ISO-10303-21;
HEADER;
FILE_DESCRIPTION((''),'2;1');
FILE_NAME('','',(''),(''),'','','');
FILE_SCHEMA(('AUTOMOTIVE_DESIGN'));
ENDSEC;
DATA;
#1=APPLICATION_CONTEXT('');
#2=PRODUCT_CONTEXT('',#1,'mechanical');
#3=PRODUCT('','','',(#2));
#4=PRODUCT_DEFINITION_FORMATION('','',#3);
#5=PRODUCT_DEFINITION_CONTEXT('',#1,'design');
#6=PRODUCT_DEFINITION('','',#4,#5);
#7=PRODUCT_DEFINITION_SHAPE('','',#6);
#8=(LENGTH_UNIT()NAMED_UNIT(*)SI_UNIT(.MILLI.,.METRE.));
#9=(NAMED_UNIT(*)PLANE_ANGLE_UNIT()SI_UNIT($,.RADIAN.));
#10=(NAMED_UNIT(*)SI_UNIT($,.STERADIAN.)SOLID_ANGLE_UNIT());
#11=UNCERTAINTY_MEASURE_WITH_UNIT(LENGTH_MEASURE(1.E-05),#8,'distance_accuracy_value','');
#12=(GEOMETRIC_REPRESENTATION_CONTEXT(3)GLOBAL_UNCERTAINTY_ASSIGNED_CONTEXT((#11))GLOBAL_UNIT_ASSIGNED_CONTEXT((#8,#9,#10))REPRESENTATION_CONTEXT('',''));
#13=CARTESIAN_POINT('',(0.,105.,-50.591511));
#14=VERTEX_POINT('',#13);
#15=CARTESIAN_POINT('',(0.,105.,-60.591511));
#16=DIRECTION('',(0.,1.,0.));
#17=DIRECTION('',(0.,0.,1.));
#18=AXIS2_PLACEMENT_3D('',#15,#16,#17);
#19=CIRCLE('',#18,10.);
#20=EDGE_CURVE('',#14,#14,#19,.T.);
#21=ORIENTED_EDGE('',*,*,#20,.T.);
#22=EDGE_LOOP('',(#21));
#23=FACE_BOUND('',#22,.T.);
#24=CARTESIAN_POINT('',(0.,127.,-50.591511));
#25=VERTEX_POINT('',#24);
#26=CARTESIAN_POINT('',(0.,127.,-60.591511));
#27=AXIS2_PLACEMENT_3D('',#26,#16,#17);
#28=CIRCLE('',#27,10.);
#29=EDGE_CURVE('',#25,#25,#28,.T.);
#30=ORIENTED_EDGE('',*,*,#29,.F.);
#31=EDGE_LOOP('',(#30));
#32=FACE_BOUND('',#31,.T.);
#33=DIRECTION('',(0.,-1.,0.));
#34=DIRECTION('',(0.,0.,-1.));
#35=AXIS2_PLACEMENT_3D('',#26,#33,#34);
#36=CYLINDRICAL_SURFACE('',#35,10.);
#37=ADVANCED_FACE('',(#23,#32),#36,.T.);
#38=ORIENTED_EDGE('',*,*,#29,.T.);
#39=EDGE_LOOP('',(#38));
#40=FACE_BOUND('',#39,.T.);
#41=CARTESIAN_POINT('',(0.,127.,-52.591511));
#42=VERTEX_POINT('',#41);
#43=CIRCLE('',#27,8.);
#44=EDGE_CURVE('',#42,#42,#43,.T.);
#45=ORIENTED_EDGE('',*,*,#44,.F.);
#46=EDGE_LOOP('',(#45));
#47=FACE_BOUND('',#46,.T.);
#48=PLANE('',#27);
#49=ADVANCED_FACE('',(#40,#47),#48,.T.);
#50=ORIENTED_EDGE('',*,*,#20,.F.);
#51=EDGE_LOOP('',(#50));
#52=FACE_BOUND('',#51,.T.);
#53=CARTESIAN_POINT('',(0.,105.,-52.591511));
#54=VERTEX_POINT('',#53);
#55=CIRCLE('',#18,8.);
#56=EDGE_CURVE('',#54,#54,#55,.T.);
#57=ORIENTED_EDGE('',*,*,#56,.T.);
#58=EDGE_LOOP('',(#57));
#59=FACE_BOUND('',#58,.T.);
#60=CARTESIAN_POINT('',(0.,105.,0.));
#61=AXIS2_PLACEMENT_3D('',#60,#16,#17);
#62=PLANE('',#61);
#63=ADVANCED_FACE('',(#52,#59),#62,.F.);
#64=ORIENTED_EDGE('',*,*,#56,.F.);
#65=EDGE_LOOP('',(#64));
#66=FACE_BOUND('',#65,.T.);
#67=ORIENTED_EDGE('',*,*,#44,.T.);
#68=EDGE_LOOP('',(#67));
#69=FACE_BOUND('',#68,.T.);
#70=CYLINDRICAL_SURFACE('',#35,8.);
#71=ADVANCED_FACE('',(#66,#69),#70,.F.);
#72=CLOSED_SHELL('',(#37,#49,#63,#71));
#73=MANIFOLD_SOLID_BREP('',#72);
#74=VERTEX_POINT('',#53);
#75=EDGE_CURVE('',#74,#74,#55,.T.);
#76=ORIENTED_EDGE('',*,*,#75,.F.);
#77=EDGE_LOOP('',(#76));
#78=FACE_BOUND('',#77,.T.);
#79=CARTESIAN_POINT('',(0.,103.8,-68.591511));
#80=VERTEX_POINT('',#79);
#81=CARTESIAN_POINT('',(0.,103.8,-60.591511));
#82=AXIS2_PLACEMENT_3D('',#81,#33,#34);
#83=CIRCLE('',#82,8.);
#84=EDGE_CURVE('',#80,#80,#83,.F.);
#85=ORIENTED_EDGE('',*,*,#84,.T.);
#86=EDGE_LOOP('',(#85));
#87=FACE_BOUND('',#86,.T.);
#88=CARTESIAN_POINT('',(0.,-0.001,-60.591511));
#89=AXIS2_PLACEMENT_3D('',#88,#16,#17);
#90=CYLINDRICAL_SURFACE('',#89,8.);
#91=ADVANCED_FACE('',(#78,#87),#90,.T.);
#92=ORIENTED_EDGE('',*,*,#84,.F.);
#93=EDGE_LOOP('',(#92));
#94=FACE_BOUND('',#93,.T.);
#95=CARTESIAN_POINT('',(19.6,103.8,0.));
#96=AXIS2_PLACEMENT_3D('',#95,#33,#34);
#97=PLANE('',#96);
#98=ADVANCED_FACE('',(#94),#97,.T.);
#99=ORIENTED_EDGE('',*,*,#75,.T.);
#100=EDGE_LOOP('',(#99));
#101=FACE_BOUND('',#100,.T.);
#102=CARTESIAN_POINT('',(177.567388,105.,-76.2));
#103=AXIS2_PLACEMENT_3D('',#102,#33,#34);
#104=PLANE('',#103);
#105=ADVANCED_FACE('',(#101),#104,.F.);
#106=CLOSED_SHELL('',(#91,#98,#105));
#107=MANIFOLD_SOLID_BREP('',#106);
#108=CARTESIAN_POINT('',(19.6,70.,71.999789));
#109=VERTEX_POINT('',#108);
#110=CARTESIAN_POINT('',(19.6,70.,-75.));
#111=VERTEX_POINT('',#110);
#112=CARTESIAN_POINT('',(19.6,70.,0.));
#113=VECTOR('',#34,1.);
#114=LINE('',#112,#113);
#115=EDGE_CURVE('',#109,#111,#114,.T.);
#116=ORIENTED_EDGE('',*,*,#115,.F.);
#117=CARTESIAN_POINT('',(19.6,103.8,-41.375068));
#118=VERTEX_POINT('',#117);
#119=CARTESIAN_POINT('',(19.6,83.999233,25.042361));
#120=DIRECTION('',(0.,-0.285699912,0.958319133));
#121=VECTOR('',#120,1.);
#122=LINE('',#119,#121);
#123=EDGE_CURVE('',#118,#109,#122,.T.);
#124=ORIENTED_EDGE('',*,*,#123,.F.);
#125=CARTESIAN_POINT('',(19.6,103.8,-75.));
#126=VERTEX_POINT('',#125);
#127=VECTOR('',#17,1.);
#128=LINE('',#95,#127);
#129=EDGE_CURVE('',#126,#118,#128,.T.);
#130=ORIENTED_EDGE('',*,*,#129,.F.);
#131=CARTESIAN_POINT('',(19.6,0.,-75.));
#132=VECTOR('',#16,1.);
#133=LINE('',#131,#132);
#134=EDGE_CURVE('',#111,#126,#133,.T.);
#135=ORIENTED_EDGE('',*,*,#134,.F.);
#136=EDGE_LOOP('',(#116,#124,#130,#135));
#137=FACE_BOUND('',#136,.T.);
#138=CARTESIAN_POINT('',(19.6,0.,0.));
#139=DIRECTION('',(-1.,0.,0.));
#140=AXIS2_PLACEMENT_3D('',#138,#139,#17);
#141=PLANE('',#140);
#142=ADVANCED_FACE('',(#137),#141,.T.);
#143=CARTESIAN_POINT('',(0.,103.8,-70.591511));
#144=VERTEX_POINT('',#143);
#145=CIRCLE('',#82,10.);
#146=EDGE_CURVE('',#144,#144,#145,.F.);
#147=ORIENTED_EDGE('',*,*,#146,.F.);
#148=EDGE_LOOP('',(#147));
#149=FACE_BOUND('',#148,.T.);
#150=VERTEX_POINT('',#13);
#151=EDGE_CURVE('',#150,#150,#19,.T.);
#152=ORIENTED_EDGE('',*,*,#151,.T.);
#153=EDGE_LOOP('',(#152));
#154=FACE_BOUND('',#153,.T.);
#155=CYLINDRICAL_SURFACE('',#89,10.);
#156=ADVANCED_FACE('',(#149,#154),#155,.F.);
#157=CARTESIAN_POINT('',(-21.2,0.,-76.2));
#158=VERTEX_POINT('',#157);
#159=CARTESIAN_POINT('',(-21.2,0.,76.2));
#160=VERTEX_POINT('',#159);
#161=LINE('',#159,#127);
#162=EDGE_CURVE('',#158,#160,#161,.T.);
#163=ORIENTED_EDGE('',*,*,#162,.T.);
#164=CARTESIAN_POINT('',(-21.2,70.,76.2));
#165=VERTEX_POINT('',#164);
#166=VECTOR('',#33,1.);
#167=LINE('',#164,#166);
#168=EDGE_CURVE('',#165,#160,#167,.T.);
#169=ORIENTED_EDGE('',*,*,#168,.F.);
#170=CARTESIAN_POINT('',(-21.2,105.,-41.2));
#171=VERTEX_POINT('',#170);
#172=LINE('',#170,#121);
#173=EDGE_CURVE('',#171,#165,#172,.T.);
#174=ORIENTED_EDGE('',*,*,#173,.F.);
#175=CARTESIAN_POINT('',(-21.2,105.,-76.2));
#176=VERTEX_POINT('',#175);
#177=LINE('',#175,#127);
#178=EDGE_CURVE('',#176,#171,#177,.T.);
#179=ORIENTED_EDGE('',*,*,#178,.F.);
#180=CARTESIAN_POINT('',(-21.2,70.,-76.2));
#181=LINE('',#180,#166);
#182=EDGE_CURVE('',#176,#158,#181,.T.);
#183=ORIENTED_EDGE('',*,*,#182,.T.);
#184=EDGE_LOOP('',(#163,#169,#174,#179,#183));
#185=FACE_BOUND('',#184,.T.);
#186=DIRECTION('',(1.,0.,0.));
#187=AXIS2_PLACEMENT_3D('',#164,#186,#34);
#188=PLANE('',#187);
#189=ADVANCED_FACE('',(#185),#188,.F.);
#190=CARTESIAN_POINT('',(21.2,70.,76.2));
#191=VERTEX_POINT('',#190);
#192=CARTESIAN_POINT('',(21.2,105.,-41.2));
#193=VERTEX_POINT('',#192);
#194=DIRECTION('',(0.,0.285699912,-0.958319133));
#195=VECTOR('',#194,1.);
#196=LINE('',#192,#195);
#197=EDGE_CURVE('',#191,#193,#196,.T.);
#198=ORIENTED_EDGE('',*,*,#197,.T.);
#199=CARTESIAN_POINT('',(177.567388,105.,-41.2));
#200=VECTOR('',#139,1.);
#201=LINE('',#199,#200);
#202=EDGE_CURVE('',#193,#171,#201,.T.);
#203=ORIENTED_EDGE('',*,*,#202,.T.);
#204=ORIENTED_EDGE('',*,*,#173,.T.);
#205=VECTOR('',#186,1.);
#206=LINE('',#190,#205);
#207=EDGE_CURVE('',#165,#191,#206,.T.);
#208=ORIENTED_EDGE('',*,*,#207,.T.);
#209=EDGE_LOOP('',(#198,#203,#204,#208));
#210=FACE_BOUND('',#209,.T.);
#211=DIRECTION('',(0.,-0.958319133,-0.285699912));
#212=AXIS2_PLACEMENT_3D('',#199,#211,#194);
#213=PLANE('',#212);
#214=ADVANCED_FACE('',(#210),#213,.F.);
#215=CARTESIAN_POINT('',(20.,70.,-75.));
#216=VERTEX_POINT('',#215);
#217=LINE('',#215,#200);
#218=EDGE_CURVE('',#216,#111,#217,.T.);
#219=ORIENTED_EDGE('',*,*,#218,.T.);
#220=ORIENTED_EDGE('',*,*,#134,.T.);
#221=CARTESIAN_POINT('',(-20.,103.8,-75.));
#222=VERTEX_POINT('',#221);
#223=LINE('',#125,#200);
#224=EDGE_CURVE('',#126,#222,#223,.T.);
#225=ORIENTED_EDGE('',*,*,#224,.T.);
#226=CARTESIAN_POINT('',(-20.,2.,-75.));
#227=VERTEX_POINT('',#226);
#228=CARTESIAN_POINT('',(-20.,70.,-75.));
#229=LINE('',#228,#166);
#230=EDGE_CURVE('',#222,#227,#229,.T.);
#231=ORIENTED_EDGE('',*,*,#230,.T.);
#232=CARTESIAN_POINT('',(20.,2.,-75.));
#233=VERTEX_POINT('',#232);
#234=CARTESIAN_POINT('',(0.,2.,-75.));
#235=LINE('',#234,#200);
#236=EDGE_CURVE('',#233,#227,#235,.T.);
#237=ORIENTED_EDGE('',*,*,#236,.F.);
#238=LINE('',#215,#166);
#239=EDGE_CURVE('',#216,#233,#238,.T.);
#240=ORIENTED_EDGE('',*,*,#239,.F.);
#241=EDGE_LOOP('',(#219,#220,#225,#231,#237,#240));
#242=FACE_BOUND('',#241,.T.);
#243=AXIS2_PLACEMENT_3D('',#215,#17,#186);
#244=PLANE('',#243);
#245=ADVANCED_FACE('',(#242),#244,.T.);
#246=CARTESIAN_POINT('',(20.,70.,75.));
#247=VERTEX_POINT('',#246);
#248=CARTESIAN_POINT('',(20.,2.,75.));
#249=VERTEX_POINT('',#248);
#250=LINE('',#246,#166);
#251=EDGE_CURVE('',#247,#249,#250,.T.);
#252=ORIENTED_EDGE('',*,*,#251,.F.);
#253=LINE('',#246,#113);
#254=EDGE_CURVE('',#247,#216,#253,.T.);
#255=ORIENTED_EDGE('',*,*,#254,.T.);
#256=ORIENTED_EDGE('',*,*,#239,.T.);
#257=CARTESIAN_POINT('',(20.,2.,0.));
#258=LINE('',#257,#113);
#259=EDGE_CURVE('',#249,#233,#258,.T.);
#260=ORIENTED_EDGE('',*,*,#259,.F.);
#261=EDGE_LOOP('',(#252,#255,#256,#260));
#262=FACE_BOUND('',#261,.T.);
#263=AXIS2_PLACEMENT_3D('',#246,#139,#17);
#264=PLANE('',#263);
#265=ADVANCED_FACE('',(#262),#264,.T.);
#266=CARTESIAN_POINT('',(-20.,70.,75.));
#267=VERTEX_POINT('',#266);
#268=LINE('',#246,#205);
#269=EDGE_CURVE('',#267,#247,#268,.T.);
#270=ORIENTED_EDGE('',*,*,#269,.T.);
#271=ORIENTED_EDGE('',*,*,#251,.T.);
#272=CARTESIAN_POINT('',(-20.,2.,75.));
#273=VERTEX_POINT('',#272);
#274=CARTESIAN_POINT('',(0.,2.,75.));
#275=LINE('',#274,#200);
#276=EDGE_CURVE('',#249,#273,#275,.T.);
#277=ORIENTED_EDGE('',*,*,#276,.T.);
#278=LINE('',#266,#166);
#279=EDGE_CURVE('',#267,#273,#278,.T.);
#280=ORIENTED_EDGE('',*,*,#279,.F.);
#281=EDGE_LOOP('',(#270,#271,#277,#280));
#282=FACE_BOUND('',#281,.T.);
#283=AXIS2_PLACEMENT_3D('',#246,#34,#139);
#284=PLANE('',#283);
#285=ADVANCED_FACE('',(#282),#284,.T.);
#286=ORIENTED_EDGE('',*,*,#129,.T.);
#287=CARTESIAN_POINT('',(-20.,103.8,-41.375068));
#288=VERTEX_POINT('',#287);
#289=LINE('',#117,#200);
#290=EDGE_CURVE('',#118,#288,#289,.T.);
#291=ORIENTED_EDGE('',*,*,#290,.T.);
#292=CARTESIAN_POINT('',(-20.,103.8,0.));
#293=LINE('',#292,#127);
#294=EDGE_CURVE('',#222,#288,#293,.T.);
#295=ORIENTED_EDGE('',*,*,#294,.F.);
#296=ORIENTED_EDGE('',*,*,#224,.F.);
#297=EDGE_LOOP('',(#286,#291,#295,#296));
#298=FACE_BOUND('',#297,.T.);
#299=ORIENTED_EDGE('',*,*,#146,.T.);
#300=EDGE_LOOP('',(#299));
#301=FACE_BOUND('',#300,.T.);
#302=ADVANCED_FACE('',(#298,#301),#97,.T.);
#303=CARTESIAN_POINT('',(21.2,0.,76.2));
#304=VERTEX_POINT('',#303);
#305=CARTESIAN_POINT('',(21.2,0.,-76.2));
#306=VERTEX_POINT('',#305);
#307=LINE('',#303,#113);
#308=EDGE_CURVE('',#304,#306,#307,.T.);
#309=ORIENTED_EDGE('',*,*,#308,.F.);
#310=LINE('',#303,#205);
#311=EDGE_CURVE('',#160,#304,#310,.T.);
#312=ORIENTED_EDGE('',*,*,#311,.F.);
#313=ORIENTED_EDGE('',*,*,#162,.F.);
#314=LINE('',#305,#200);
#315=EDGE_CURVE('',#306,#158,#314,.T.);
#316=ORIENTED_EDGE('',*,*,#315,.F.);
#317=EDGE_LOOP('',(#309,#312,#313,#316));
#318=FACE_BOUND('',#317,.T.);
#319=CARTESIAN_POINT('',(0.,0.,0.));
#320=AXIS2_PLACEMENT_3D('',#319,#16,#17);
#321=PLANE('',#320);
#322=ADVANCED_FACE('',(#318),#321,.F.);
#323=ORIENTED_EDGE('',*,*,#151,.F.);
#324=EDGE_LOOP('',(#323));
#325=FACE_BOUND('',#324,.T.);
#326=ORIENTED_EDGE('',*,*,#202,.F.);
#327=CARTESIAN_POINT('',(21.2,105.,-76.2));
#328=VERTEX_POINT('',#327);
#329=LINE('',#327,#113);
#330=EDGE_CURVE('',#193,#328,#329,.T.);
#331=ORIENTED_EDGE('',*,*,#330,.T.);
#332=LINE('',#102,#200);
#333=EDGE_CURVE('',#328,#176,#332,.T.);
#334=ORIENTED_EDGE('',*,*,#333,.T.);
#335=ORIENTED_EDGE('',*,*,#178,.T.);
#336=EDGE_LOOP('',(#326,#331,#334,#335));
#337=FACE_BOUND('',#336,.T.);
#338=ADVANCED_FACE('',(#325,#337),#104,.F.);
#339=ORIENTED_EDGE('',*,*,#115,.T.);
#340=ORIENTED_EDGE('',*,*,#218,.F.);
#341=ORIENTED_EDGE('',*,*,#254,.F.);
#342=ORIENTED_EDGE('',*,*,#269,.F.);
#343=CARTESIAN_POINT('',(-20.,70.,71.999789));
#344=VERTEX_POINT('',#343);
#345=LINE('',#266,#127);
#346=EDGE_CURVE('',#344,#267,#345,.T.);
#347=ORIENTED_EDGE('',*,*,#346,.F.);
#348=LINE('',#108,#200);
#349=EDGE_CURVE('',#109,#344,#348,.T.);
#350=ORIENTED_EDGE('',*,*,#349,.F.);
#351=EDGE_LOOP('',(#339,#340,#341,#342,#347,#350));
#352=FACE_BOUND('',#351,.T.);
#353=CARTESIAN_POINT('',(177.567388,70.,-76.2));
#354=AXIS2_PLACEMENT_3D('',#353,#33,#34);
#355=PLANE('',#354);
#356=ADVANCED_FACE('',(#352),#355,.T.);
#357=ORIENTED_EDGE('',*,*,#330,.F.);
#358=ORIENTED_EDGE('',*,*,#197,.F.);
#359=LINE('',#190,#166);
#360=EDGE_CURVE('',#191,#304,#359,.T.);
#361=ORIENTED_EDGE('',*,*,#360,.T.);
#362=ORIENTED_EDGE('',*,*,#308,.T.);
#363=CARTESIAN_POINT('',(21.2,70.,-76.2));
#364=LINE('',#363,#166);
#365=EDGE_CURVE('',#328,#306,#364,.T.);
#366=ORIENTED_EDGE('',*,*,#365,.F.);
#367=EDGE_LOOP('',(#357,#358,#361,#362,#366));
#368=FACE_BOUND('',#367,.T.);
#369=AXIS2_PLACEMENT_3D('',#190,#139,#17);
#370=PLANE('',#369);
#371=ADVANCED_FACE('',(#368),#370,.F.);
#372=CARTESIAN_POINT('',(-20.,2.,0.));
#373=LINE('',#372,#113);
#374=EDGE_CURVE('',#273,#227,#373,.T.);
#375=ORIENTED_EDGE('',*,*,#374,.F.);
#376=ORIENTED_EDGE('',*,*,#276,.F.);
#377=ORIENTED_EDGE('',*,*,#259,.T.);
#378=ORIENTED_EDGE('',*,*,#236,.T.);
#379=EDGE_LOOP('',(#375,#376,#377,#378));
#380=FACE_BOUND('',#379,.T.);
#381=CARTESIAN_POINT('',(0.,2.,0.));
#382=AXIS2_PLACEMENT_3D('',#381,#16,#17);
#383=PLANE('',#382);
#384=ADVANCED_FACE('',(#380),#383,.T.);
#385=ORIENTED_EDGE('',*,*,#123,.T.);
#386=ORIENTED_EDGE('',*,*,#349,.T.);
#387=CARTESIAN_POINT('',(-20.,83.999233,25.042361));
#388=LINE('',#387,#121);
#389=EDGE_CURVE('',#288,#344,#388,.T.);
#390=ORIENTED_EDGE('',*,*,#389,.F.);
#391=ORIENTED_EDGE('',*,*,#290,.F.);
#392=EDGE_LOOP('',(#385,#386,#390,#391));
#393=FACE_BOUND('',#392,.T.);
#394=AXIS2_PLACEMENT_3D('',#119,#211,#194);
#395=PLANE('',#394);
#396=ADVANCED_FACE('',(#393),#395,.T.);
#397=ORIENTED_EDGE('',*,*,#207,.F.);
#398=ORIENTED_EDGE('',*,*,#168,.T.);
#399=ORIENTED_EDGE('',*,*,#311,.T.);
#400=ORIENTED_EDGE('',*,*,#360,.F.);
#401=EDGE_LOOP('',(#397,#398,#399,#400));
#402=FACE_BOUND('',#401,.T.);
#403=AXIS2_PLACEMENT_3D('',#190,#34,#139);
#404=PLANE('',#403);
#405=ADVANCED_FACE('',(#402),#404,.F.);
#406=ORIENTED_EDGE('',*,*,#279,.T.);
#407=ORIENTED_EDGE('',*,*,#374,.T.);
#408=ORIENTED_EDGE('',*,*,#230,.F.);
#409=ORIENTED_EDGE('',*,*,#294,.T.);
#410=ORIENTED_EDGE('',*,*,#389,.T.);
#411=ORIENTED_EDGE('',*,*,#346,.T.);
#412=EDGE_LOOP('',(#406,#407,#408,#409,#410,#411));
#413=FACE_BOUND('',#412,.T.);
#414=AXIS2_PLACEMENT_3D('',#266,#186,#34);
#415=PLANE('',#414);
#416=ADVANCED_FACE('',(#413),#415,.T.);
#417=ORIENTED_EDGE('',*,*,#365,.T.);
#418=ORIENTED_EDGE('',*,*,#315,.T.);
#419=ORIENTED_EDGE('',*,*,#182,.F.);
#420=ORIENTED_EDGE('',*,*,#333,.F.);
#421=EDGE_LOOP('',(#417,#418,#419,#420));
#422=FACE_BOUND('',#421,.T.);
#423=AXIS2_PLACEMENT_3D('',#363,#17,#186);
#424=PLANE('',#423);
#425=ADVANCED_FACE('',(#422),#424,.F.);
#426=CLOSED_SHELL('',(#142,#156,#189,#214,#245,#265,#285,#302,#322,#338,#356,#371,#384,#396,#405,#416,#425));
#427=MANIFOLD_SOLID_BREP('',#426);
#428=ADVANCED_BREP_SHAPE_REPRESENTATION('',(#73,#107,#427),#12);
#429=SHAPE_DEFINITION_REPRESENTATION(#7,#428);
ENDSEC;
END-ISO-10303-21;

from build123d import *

# Parameters (mm, degrees)
SZKIC1_W                    = 42.4
SZKIC1_H                    = 152.4
SZKIC1_W_2                  = 40
SZKIC1_H_2                  = 150
DODANIE_WYCI_GNI_CIE1_DEPTH = 70
SZKIC1_2_W                  = 40
SZKIC1_2_H                  = 150
DODANIE_WYCI_GNI_CIE2_DEPTH = 2
DODANIE_WYCI_GNI_CIE3_DEPTH = 42.4
WYTNIJ_WYCI_GNI_CIE1_START  = -1.2
WYTNIJ_WYCI_GNI_CIE1_DEPTH  = 39.6
SZKIC3_R                    = 10
SZKIC3_R_2                  = 8
DODANIE_WYCI_GNI_CIE4_DEPTH = 22
WYTNIJ_WYCI_GNI_CIE2_REACH  = 107
SZKIC3_2_R                  = 10
SZKIC3_2_R_2                = 8


with BuildPart() as part:
    # Szkic1 → Dodanie-wyci_gni_cie1 (new body)
    with BuildSketch(Plane(origin=(0, 0, 0), x_dir=(1, 0, 0), z_dir=(0, 1, 0))):
        Rectangle(SZKIC1_W, SZKIC1_H)
        Rectangle(SZKIC1_W_2, SZKIC1_H_2, mode=Mode.SUBTRACT)
    extrude(amount=DODANIE_WYCI_GNI_CIE1_DEPTH)

    # Szkic1_2 → Dodanie-wyci_gni_cie2 (add)
    with BuildSketch(Plane(origin=(0, 0, 0), x_dir=(1, 0, 0), z_dir=(0, 1, 0))):
        Rectangle(SZKIC1_2_W, SZKIC1_2_H)
    extrude(amount=DODANIE_WYCI_GNI_CIE2_DEPTH)

    # Szkic2 → Dodanie-wyci_gni_cie3 (add)
    with BuildSketch(Plane.ZY.offset(21.2)):
        Polygon((-76.2, 70), (-76.2, 105), (-41.2, 105), (76.2, 70), align=None)
    extrude(amount=-DODANIE_WYCI_GNI_CIE3_DEPTH)

    # Szkic2_4 → Wytnij-wyci_gni_cie1 (cut)
    with BuildSketch(Plane.ZY.offset(21.2).offset(WYTNIJ_WYCI_GNI_CIE1_START)):
        Polygon((-75, 103.8), (-75, 70), (71.999788693, 70), (-41.375068449, 103.8), align=None)
    extrude(amount=-WYTNIJ_WYCI_GNI_CIE1_DEPTH, mode=Mode.SUBTRACT)

    # Szkic3 → Dodanie-wyci_gni_cie4 (add)
    with BuildSketch(Plane(origin=(0, 105, 0), x_dir=(1, 0, 0), z_dir=(0, 1, 0))):
        with Locations((0, 60.59151108)):
            Circle(SZKIC3_R)
        with Locations((0, 60.59151108)):
            Circle(SZKIC3_R_2, mode=Mode.SUBTRACT)
    extrude(amount=DODANIE_WYCI_GNI_CIE4_DEPTH)

    # Szkic3_2 → Wytnij-wyci_gni_cie2 (cut, up to next)
    with BuildSketch(Plane(origin=(0, 105, 0), x_dir=(1, 0, 0), z_dir=(0, 1, 0)), mode=Mode.PRIVATE) as wytnij_wyci_gni_cie2_sk1:
        with Locations((0, 60.59151108)):
            Circle(SZKIC3_2_R)
        with Locations((0, 60.59151108)):
            Circle(SZKIC3_2_R_2, mode=Mode.SUBTRACT)
    wytnij_wyci_gni_cie2_tool1 = extrude(wytnij_wyci_gni_cie2_sk1.sketch, amount=-WYTNIJ_WYCI_GNI_CIE2_REACH, mode=Mode.PRIVATE) & part.part
    add(wytnij_wyci_gni_cie2_tool1.solids().sort_by_distance((-9.717157, 105, -60.591511))[0], mode=Mode.SUBTRACT)


solid = part.part
